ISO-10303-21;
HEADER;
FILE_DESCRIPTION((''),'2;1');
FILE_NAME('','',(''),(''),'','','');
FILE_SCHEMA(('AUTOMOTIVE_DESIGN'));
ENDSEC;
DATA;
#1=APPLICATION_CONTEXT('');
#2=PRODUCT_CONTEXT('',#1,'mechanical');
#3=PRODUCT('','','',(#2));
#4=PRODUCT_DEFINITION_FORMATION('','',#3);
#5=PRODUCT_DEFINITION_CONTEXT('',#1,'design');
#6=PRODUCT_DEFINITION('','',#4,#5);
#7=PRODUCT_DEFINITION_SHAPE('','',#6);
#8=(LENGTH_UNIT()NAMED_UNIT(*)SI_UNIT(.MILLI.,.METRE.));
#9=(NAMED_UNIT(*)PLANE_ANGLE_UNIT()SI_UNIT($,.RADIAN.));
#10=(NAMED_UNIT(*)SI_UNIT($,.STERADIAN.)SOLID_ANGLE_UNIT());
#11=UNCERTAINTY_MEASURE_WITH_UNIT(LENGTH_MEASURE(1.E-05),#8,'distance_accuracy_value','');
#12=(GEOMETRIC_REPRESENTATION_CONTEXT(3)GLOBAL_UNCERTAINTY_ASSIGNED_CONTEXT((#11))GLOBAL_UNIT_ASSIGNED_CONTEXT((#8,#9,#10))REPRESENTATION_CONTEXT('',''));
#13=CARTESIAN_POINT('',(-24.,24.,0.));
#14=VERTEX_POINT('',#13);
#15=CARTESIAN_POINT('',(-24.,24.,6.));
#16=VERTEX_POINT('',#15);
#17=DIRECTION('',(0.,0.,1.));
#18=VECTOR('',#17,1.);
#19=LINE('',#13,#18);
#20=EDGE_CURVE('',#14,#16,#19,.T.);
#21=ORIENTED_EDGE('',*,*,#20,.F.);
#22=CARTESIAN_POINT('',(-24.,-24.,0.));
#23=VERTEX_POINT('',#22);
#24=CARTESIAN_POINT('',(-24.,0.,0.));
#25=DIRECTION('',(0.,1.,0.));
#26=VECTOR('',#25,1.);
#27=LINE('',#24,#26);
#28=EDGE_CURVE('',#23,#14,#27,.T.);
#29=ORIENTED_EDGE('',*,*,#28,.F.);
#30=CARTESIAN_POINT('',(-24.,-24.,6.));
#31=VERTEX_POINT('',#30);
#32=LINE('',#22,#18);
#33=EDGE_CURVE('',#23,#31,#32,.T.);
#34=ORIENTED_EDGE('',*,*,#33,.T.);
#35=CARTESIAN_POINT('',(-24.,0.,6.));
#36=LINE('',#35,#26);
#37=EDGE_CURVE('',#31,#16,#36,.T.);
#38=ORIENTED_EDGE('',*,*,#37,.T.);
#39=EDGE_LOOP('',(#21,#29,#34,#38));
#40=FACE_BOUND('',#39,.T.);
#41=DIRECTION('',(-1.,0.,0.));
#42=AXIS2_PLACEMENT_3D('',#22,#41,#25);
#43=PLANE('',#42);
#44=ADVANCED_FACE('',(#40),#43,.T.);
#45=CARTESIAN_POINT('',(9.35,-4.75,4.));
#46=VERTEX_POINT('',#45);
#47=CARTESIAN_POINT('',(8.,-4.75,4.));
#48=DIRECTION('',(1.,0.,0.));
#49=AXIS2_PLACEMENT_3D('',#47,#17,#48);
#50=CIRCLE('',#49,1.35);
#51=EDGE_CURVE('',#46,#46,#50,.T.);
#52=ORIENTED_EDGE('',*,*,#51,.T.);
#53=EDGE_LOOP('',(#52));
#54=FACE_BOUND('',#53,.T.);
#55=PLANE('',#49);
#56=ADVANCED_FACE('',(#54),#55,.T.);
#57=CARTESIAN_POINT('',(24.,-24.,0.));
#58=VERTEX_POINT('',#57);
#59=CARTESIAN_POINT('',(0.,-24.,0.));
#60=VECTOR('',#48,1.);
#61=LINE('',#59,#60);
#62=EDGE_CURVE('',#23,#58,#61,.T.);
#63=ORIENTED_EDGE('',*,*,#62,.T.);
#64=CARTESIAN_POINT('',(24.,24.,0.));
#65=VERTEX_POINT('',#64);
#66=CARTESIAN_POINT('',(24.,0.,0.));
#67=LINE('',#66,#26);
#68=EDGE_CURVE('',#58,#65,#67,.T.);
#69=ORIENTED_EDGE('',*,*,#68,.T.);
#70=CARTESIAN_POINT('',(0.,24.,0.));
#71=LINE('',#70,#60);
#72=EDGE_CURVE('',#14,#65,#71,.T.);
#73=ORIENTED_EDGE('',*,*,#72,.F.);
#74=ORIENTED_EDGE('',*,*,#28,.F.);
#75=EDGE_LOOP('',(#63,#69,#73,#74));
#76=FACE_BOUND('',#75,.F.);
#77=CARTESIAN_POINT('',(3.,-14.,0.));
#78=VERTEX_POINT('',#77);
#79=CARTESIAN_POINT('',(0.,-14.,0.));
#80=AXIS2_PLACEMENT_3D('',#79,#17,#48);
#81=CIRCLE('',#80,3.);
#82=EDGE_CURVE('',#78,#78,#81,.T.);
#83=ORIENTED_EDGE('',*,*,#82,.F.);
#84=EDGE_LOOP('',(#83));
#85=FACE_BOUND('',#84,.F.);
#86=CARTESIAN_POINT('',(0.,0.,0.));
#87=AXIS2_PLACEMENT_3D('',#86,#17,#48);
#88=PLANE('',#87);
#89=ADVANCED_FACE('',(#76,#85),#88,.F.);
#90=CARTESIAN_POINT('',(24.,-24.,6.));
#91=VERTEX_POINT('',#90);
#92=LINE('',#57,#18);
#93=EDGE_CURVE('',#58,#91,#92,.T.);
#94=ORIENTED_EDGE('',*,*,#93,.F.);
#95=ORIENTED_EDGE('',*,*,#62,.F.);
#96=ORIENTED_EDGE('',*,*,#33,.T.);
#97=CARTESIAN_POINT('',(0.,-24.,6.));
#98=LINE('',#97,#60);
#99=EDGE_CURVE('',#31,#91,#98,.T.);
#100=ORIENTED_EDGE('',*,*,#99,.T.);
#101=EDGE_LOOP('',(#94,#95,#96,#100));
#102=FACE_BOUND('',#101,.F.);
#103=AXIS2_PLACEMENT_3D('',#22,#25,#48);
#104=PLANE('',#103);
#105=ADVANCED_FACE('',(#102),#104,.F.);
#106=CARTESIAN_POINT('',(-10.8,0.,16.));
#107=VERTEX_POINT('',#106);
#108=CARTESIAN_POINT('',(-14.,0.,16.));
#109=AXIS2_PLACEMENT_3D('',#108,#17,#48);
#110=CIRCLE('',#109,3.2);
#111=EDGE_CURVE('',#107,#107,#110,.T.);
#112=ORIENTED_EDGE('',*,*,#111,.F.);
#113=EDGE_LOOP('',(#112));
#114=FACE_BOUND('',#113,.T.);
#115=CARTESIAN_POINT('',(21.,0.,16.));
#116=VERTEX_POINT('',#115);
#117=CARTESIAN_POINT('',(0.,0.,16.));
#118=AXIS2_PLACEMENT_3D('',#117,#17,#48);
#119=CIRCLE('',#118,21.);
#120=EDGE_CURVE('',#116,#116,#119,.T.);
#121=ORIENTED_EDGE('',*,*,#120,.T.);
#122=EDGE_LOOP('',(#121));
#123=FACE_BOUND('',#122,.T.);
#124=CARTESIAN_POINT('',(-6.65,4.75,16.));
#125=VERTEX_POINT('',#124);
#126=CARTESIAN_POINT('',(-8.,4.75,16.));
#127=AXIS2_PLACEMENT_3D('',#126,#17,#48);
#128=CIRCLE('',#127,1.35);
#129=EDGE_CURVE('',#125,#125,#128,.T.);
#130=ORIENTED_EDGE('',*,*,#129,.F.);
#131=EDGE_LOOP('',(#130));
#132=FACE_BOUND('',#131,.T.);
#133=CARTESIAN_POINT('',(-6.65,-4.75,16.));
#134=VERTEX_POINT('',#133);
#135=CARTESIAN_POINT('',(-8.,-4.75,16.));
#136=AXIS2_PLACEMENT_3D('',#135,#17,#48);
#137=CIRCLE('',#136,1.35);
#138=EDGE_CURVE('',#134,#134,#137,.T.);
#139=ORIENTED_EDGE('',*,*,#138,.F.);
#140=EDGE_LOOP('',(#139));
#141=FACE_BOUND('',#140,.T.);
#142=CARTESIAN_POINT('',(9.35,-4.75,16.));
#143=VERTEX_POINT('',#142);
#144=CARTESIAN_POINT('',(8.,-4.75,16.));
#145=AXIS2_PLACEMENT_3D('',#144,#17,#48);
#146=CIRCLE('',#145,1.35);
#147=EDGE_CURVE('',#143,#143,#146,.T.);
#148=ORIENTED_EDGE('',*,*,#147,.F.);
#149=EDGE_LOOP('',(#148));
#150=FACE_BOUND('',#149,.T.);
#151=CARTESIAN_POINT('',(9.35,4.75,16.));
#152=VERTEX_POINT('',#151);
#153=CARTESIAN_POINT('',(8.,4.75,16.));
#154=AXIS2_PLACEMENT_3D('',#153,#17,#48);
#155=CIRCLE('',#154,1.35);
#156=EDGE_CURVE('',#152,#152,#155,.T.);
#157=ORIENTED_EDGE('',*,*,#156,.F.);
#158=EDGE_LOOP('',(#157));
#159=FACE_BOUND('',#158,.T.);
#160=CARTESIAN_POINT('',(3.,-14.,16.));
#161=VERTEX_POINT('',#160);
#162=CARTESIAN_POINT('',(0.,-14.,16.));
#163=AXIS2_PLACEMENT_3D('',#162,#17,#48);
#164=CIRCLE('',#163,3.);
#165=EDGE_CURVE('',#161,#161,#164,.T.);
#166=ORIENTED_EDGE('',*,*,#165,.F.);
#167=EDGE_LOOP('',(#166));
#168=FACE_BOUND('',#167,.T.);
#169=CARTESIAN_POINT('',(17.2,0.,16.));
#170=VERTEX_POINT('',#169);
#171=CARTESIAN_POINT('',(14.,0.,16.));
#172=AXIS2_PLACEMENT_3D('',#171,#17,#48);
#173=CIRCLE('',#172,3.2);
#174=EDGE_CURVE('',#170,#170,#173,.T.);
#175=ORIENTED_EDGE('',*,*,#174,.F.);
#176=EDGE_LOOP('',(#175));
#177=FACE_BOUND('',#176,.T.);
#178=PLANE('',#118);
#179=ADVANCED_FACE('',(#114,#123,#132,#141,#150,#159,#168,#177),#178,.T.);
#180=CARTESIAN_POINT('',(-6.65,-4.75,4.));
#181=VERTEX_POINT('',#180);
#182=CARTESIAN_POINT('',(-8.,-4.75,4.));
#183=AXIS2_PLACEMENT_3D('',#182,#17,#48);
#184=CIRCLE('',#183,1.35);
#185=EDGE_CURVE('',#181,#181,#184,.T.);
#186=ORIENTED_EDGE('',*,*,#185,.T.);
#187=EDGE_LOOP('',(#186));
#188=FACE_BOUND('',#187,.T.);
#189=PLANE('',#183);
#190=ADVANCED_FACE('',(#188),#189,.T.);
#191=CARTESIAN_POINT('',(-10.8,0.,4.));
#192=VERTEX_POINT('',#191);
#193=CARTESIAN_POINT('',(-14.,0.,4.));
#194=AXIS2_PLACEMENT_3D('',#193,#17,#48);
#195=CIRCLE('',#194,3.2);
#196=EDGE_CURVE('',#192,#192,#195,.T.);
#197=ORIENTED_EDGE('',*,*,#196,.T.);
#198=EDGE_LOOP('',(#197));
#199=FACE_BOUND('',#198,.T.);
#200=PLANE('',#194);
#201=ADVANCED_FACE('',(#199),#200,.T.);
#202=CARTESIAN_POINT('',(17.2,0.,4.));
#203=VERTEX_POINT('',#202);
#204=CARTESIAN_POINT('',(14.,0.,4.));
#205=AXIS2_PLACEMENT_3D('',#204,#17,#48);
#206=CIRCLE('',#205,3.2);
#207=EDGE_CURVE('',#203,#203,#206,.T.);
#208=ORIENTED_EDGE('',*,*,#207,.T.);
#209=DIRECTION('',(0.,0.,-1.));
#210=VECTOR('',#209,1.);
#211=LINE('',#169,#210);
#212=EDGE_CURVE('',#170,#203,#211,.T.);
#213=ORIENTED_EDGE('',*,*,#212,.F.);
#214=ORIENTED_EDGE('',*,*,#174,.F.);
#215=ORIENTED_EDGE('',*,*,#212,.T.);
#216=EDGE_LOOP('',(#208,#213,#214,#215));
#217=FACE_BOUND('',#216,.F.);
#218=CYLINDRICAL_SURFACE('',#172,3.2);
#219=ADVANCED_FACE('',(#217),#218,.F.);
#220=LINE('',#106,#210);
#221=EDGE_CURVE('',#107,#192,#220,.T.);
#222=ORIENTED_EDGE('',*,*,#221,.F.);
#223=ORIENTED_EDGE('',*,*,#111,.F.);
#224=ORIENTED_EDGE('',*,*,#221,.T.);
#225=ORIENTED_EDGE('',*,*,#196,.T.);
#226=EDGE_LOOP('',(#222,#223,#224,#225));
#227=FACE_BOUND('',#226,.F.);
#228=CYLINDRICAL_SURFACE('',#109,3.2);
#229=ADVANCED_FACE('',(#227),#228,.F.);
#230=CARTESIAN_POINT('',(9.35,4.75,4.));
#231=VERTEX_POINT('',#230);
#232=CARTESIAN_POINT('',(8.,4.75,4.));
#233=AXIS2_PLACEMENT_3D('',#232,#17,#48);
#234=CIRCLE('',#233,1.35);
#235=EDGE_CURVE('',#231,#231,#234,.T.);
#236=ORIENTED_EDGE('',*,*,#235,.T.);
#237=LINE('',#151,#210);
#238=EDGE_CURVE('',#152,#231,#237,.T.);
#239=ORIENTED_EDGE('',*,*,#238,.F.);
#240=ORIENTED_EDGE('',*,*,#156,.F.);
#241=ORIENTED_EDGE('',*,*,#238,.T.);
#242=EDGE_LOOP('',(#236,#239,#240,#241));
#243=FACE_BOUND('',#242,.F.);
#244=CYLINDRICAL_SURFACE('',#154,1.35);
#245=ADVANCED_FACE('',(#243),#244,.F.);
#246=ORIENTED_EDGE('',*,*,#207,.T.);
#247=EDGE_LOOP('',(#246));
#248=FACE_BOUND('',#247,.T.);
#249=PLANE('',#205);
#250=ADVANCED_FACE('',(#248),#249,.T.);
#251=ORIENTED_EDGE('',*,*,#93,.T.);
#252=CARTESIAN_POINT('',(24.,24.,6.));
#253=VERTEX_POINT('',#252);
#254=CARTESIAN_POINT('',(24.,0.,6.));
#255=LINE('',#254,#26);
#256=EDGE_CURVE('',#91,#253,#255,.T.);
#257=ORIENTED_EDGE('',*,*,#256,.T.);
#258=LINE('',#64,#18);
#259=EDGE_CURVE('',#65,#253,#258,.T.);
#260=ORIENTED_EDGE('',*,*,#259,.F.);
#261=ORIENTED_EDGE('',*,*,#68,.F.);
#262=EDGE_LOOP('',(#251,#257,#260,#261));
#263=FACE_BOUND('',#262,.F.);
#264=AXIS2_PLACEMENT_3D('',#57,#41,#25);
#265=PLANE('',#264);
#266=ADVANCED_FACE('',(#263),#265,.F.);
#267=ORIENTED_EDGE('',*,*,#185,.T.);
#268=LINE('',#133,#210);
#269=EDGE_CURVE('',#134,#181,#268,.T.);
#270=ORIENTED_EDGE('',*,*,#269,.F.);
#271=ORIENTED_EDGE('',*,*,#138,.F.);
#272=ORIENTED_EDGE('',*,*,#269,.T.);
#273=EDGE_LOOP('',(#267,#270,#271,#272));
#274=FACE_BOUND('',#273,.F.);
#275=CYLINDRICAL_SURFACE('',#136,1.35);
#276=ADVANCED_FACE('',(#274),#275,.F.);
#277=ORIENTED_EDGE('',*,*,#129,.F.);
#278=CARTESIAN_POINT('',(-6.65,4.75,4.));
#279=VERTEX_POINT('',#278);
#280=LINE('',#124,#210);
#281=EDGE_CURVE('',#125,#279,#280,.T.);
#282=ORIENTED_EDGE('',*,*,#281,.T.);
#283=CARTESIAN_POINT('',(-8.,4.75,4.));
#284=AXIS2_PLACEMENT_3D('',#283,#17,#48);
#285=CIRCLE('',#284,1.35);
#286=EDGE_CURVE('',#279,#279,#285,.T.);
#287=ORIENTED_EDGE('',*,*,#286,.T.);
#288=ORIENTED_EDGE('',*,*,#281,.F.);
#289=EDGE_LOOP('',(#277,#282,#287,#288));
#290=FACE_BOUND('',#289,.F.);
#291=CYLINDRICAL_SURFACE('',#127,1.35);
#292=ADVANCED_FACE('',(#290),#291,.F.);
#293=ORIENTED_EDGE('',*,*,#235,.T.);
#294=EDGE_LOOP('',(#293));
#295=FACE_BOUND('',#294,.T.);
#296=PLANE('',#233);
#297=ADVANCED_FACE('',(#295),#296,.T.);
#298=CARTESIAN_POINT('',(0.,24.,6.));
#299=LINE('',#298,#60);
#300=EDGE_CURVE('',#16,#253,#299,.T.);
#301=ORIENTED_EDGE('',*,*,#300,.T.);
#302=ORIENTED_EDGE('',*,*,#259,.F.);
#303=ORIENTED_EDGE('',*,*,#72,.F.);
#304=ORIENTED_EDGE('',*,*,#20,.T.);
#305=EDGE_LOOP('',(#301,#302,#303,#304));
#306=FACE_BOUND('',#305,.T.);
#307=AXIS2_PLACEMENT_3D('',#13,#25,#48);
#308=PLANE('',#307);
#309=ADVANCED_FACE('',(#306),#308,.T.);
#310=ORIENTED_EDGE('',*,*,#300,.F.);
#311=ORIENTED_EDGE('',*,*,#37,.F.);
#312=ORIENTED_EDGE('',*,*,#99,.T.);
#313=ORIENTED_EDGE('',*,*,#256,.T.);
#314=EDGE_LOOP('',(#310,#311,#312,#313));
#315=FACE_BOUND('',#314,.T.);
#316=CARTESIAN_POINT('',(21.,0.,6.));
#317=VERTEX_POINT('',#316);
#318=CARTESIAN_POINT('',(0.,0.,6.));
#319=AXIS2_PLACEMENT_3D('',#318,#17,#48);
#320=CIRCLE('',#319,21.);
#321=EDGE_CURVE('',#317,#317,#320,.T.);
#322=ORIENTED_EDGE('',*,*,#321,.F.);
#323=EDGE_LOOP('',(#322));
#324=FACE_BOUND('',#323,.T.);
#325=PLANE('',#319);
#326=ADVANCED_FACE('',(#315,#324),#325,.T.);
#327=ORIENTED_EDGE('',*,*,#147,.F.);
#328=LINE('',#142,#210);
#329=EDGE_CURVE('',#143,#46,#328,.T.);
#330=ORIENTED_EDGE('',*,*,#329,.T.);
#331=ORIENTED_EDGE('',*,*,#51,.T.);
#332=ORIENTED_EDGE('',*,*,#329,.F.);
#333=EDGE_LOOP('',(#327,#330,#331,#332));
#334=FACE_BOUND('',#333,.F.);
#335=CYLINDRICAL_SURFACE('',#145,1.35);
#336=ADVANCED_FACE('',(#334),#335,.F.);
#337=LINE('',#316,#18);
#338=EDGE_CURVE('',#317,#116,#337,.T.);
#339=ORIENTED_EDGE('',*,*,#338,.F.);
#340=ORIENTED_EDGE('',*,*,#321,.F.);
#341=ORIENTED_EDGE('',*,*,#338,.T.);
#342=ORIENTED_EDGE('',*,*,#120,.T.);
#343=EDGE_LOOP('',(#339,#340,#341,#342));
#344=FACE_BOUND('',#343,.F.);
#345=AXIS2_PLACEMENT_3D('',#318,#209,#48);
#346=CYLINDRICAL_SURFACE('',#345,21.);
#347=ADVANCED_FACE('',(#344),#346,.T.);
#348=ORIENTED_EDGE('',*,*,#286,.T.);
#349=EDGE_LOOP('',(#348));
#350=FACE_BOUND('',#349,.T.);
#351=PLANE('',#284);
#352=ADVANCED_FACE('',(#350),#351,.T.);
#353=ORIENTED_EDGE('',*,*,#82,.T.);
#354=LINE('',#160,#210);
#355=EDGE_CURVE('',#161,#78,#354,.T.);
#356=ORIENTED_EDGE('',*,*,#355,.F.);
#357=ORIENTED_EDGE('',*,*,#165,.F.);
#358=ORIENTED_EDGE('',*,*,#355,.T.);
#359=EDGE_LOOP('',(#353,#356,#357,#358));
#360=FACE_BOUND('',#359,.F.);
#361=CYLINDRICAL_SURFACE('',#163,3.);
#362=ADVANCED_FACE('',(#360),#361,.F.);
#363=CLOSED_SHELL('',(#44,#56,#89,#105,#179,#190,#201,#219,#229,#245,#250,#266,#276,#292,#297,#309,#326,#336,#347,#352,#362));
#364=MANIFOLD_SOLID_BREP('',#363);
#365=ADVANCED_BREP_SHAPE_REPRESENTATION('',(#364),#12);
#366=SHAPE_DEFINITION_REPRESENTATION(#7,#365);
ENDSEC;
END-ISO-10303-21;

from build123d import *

# Parameters (mm, degrees)
F0_W     = 48
F0_H     = 48
F1_DEPTH = 6
F2_R     = 21
F3_DEPTH = 10
F4_R     = 3.2
F4_R_2   = 1.35
F5_DEPTH = 12
F6_R     = 3
F7_DEPTH = 16.001


with BuildPart() as f1:
    # F0 (on Top) → F1 (new body)
    with BuildSketch(Plane.XY):
        Rectangle(F0_W, F0_H)
    extrude(amount=F1_DEPTH)

    # F2 (on face) → F3 (join)
    with BuildSketch(Plane.XY.offset(6)):
        Circle(F2_R)
    extrude(amount=F3_DEPTH)

    # F4 (on face) → F5 (cut)
    with BuildSketch(Plane.XY.offset(16)):
        with Locations((-14, 0)):
            Circle(F4_R)
        with Locations((14, 0)):
            Circle(F4_R)
        with Locations((-8, 4.75)):
            Circle(F4_R_2)
        with Locations((8, 4.75)):
            Circle(F4_R_2)
        with Locations((-8, -4.75)):
            Circle(F4_R_2)
        with Locations((8, -4.75)):
            Circle(F4_R_2)
    extrude(amount=-F5_DEPTH, mode=Mode.SUBTRACT)

    # F6 (on face) → F7 (cut, through all)
    with BuildSketch(Plane.XY.offset(16)):
        with Locations((0, -14)):
            Circle(F6_R)
    extrude(amount=-F7_DEPTH, mode=Mode.SUBTRACT)


solid = f1.part
